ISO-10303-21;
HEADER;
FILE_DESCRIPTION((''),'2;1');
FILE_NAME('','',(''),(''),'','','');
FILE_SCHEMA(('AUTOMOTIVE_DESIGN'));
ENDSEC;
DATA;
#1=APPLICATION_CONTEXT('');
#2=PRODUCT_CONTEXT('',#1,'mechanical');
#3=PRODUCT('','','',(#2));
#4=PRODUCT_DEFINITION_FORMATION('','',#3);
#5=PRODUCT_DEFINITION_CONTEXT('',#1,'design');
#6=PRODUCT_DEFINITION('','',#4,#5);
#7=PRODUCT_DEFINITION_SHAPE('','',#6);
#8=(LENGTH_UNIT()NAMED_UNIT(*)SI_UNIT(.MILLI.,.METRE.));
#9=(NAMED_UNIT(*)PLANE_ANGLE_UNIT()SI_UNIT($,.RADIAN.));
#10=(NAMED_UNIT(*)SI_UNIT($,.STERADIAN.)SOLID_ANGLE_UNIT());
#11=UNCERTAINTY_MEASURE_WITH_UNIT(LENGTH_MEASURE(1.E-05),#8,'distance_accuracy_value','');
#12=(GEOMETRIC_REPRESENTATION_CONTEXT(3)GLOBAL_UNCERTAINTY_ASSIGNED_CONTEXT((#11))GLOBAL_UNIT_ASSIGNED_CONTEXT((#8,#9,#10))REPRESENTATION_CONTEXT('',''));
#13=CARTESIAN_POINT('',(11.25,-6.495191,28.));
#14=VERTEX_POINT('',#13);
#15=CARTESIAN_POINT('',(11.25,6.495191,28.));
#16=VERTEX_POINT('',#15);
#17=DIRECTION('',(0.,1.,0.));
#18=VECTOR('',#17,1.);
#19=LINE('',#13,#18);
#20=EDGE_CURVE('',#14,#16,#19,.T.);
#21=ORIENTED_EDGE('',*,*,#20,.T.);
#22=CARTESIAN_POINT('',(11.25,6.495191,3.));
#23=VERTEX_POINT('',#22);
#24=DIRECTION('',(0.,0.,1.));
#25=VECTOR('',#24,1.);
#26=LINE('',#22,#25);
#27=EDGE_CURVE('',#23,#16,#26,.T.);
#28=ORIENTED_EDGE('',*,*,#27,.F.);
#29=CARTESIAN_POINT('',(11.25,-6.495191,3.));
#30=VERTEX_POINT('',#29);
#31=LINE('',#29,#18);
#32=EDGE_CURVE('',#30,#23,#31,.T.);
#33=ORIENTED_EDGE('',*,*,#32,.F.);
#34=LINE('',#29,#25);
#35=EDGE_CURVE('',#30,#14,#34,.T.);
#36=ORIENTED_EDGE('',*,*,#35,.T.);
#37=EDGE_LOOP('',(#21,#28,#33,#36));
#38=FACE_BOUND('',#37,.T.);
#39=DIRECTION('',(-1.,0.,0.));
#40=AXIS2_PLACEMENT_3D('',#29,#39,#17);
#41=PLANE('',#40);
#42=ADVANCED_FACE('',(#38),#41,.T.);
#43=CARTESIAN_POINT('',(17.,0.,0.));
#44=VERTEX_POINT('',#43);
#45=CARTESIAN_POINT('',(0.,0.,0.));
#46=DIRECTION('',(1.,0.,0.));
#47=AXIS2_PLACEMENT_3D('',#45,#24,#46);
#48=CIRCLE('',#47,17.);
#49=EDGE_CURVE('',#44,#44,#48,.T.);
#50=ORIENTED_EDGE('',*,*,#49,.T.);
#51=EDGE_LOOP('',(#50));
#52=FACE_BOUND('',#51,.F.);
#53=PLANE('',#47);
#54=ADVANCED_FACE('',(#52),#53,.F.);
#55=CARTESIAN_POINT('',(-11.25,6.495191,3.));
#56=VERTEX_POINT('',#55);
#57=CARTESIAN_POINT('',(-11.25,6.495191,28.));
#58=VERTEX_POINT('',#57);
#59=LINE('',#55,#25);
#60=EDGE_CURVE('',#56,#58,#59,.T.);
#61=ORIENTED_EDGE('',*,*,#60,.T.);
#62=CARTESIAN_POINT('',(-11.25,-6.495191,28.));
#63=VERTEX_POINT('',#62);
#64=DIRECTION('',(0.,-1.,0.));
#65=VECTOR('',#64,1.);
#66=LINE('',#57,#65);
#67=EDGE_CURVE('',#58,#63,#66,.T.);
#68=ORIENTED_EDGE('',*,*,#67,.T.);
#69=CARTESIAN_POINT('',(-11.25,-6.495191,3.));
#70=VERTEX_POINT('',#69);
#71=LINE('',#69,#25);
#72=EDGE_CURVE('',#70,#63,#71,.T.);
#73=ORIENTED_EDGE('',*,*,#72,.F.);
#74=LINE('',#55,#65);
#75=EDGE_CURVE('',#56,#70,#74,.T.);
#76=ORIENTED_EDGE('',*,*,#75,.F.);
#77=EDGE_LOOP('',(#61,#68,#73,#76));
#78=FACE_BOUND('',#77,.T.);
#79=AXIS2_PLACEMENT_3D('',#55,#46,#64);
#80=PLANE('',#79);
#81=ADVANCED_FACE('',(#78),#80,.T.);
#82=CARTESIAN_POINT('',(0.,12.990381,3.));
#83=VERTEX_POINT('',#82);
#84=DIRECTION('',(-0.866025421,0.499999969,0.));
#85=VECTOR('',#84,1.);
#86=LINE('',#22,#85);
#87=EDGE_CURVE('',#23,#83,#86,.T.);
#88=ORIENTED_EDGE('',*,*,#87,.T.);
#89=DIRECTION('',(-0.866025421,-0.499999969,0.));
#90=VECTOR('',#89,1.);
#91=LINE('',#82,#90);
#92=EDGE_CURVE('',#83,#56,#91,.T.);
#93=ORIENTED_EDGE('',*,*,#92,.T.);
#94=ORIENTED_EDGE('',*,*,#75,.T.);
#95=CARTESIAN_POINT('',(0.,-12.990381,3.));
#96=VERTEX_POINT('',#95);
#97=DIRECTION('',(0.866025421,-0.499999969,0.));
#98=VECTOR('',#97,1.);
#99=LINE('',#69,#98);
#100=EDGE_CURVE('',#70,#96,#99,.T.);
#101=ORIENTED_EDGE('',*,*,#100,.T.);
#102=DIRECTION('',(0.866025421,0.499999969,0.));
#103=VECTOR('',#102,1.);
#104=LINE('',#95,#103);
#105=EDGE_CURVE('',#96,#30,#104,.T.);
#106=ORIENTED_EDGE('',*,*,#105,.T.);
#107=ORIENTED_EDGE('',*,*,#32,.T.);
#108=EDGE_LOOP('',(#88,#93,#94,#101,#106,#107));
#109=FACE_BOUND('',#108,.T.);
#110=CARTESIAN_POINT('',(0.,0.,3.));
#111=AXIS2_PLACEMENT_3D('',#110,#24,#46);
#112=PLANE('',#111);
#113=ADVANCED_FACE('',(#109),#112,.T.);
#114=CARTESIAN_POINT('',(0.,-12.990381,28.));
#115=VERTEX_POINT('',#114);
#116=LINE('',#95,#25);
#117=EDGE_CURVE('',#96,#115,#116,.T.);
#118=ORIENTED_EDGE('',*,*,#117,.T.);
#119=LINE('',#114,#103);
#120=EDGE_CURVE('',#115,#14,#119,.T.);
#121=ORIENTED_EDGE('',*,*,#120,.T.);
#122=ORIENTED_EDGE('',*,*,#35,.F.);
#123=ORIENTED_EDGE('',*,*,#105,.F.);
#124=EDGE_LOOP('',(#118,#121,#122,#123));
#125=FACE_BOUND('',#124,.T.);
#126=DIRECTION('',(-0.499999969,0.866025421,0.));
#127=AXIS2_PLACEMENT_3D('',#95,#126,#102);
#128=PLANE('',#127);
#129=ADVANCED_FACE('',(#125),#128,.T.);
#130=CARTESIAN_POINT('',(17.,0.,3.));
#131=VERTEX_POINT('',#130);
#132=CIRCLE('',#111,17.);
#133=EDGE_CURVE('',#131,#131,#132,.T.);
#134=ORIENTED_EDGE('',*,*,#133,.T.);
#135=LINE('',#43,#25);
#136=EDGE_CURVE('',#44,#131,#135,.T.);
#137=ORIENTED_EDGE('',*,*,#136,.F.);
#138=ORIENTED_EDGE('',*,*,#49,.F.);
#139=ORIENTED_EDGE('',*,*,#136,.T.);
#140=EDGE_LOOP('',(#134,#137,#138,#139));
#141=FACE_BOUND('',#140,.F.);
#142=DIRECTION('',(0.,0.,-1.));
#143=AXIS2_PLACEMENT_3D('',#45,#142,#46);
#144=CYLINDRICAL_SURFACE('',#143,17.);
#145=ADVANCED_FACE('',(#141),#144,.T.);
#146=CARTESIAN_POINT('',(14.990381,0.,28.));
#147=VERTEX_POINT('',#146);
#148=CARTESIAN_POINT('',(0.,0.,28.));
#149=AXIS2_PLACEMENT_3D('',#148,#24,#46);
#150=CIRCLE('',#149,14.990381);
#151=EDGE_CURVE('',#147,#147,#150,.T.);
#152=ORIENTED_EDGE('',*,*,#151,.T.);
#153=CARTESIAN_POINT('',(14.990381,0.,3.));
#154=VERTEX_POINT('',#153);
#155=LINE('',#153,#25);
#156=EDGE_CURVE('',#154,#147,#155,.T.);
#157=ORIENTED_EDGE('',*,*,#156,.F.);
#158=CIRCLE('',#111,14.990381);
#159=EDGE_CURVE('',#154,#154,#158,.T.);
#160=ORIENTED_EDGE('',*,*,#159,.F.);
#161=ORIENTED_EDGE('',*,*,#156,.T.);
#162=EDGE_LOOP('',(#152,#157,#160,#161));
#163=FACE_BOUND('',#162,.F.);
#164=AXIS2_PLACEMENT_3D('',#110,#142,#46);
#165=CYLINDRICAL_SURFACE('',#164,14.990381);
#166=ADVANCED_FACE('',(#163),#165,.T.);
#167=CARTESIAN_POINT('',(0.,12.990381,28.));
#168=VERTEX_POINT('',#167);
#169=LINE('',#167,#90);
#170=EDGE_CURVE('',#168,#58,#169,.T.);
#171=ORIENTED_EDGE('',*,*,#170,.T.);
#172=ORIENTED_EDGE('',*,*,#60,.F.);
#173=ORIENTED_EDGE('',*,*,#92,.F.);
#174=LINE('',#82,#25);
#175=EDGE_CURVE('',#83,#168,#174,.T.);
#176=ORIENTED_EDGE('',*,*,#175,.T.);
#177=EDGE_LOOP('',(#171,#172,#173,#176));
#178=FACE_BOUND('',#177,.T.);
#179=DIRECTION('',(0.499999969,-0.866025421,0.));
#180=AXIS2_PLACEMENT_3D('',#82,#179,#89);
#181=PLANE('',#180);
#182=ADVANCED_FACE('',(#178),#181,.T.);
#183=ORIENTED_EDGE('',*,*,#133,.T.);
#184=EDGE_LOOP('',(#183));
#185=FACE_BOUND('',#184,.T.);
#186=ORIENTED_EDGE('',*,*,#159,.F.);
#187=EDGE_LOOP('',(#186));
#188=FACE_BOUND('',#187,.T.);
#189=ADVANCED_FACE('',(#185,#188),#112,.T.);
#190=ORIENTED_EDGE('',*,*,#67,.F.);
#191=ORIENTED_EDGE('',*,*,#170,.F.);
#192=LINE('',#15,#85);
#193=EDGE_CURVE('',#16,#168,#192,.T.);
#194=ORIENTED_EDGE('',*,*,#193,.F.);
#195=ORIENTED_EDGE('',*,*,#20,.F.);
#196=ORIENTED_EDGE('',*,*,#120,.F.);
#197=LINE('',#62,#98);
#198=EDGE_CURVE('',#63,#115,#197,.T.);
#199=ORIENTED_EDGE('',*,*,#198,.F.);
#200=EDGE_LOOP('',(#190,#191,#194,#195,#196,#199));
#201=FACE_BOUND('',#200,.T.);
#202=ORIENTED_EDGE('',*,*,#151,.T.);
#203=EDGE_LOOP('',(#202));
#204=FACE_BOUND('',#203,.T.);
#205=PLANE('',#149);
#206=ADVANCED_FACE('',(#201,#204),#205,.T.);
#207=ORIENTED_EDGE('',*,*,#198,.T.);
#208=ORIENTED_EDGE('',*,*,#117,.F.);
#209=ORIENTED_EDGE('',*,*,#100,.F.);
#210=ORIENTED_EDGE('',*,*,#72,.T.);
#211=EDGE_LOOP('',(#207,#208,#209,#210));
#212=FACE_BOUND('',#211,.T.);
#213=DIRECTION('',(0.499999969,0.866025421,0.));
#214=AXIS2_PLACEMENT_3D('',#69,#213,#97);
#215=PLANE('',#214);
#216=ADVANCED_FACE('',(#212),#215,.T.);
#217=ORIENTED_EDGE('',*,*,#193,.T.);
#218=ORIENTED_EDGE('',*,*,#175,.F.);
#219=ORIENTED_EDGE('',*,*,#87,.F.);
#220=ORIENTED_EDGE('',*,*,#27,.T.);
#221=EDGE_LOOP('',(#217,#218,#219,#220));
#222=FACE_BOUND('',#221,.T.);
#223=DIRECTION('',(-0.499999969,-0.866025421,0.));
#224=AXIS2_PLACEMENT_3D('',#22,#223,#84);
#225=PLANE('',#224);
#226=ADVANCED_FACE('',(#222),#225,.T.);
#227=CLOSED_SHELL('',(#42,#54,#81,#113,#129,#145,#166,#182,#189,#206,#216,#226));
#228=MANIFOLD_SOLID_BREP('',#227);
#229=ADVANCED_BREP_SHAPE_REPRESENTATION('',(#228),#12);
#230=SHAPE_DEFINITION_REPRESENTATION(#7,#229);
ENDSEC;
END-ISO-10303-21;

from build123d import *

# Parameters (mm, degrees)
SKETCH_R     = 17
PAD_DEPTH    = 3
SKETCH001_R  = 14.990381
PAD001_DEPTH = 25


with BuildPart() as part:
    # Sketch → Pad (new body)
    with BuildSketch(Plane.XY):
        Circle(SKETCH_R)
    extrude(amount=PAD_DEPTH)

    # Sketch001 (on Face3 of Pad) → Pad001 (join)
    with BuildSketch(Plane.XY.offset(3)):
        Circle(SKETCH001_R)
        Polygon((-11.25, 6.495191), (-11.25, -6.495191), (0, -12.990381), (11.25, -6.495191), (11.25, 6.495191), (0, 12.990381), align=None, mode=Mode.SUBTRACT)
    extrude(amount=PAD001_DEPTH)


solid = part.part
